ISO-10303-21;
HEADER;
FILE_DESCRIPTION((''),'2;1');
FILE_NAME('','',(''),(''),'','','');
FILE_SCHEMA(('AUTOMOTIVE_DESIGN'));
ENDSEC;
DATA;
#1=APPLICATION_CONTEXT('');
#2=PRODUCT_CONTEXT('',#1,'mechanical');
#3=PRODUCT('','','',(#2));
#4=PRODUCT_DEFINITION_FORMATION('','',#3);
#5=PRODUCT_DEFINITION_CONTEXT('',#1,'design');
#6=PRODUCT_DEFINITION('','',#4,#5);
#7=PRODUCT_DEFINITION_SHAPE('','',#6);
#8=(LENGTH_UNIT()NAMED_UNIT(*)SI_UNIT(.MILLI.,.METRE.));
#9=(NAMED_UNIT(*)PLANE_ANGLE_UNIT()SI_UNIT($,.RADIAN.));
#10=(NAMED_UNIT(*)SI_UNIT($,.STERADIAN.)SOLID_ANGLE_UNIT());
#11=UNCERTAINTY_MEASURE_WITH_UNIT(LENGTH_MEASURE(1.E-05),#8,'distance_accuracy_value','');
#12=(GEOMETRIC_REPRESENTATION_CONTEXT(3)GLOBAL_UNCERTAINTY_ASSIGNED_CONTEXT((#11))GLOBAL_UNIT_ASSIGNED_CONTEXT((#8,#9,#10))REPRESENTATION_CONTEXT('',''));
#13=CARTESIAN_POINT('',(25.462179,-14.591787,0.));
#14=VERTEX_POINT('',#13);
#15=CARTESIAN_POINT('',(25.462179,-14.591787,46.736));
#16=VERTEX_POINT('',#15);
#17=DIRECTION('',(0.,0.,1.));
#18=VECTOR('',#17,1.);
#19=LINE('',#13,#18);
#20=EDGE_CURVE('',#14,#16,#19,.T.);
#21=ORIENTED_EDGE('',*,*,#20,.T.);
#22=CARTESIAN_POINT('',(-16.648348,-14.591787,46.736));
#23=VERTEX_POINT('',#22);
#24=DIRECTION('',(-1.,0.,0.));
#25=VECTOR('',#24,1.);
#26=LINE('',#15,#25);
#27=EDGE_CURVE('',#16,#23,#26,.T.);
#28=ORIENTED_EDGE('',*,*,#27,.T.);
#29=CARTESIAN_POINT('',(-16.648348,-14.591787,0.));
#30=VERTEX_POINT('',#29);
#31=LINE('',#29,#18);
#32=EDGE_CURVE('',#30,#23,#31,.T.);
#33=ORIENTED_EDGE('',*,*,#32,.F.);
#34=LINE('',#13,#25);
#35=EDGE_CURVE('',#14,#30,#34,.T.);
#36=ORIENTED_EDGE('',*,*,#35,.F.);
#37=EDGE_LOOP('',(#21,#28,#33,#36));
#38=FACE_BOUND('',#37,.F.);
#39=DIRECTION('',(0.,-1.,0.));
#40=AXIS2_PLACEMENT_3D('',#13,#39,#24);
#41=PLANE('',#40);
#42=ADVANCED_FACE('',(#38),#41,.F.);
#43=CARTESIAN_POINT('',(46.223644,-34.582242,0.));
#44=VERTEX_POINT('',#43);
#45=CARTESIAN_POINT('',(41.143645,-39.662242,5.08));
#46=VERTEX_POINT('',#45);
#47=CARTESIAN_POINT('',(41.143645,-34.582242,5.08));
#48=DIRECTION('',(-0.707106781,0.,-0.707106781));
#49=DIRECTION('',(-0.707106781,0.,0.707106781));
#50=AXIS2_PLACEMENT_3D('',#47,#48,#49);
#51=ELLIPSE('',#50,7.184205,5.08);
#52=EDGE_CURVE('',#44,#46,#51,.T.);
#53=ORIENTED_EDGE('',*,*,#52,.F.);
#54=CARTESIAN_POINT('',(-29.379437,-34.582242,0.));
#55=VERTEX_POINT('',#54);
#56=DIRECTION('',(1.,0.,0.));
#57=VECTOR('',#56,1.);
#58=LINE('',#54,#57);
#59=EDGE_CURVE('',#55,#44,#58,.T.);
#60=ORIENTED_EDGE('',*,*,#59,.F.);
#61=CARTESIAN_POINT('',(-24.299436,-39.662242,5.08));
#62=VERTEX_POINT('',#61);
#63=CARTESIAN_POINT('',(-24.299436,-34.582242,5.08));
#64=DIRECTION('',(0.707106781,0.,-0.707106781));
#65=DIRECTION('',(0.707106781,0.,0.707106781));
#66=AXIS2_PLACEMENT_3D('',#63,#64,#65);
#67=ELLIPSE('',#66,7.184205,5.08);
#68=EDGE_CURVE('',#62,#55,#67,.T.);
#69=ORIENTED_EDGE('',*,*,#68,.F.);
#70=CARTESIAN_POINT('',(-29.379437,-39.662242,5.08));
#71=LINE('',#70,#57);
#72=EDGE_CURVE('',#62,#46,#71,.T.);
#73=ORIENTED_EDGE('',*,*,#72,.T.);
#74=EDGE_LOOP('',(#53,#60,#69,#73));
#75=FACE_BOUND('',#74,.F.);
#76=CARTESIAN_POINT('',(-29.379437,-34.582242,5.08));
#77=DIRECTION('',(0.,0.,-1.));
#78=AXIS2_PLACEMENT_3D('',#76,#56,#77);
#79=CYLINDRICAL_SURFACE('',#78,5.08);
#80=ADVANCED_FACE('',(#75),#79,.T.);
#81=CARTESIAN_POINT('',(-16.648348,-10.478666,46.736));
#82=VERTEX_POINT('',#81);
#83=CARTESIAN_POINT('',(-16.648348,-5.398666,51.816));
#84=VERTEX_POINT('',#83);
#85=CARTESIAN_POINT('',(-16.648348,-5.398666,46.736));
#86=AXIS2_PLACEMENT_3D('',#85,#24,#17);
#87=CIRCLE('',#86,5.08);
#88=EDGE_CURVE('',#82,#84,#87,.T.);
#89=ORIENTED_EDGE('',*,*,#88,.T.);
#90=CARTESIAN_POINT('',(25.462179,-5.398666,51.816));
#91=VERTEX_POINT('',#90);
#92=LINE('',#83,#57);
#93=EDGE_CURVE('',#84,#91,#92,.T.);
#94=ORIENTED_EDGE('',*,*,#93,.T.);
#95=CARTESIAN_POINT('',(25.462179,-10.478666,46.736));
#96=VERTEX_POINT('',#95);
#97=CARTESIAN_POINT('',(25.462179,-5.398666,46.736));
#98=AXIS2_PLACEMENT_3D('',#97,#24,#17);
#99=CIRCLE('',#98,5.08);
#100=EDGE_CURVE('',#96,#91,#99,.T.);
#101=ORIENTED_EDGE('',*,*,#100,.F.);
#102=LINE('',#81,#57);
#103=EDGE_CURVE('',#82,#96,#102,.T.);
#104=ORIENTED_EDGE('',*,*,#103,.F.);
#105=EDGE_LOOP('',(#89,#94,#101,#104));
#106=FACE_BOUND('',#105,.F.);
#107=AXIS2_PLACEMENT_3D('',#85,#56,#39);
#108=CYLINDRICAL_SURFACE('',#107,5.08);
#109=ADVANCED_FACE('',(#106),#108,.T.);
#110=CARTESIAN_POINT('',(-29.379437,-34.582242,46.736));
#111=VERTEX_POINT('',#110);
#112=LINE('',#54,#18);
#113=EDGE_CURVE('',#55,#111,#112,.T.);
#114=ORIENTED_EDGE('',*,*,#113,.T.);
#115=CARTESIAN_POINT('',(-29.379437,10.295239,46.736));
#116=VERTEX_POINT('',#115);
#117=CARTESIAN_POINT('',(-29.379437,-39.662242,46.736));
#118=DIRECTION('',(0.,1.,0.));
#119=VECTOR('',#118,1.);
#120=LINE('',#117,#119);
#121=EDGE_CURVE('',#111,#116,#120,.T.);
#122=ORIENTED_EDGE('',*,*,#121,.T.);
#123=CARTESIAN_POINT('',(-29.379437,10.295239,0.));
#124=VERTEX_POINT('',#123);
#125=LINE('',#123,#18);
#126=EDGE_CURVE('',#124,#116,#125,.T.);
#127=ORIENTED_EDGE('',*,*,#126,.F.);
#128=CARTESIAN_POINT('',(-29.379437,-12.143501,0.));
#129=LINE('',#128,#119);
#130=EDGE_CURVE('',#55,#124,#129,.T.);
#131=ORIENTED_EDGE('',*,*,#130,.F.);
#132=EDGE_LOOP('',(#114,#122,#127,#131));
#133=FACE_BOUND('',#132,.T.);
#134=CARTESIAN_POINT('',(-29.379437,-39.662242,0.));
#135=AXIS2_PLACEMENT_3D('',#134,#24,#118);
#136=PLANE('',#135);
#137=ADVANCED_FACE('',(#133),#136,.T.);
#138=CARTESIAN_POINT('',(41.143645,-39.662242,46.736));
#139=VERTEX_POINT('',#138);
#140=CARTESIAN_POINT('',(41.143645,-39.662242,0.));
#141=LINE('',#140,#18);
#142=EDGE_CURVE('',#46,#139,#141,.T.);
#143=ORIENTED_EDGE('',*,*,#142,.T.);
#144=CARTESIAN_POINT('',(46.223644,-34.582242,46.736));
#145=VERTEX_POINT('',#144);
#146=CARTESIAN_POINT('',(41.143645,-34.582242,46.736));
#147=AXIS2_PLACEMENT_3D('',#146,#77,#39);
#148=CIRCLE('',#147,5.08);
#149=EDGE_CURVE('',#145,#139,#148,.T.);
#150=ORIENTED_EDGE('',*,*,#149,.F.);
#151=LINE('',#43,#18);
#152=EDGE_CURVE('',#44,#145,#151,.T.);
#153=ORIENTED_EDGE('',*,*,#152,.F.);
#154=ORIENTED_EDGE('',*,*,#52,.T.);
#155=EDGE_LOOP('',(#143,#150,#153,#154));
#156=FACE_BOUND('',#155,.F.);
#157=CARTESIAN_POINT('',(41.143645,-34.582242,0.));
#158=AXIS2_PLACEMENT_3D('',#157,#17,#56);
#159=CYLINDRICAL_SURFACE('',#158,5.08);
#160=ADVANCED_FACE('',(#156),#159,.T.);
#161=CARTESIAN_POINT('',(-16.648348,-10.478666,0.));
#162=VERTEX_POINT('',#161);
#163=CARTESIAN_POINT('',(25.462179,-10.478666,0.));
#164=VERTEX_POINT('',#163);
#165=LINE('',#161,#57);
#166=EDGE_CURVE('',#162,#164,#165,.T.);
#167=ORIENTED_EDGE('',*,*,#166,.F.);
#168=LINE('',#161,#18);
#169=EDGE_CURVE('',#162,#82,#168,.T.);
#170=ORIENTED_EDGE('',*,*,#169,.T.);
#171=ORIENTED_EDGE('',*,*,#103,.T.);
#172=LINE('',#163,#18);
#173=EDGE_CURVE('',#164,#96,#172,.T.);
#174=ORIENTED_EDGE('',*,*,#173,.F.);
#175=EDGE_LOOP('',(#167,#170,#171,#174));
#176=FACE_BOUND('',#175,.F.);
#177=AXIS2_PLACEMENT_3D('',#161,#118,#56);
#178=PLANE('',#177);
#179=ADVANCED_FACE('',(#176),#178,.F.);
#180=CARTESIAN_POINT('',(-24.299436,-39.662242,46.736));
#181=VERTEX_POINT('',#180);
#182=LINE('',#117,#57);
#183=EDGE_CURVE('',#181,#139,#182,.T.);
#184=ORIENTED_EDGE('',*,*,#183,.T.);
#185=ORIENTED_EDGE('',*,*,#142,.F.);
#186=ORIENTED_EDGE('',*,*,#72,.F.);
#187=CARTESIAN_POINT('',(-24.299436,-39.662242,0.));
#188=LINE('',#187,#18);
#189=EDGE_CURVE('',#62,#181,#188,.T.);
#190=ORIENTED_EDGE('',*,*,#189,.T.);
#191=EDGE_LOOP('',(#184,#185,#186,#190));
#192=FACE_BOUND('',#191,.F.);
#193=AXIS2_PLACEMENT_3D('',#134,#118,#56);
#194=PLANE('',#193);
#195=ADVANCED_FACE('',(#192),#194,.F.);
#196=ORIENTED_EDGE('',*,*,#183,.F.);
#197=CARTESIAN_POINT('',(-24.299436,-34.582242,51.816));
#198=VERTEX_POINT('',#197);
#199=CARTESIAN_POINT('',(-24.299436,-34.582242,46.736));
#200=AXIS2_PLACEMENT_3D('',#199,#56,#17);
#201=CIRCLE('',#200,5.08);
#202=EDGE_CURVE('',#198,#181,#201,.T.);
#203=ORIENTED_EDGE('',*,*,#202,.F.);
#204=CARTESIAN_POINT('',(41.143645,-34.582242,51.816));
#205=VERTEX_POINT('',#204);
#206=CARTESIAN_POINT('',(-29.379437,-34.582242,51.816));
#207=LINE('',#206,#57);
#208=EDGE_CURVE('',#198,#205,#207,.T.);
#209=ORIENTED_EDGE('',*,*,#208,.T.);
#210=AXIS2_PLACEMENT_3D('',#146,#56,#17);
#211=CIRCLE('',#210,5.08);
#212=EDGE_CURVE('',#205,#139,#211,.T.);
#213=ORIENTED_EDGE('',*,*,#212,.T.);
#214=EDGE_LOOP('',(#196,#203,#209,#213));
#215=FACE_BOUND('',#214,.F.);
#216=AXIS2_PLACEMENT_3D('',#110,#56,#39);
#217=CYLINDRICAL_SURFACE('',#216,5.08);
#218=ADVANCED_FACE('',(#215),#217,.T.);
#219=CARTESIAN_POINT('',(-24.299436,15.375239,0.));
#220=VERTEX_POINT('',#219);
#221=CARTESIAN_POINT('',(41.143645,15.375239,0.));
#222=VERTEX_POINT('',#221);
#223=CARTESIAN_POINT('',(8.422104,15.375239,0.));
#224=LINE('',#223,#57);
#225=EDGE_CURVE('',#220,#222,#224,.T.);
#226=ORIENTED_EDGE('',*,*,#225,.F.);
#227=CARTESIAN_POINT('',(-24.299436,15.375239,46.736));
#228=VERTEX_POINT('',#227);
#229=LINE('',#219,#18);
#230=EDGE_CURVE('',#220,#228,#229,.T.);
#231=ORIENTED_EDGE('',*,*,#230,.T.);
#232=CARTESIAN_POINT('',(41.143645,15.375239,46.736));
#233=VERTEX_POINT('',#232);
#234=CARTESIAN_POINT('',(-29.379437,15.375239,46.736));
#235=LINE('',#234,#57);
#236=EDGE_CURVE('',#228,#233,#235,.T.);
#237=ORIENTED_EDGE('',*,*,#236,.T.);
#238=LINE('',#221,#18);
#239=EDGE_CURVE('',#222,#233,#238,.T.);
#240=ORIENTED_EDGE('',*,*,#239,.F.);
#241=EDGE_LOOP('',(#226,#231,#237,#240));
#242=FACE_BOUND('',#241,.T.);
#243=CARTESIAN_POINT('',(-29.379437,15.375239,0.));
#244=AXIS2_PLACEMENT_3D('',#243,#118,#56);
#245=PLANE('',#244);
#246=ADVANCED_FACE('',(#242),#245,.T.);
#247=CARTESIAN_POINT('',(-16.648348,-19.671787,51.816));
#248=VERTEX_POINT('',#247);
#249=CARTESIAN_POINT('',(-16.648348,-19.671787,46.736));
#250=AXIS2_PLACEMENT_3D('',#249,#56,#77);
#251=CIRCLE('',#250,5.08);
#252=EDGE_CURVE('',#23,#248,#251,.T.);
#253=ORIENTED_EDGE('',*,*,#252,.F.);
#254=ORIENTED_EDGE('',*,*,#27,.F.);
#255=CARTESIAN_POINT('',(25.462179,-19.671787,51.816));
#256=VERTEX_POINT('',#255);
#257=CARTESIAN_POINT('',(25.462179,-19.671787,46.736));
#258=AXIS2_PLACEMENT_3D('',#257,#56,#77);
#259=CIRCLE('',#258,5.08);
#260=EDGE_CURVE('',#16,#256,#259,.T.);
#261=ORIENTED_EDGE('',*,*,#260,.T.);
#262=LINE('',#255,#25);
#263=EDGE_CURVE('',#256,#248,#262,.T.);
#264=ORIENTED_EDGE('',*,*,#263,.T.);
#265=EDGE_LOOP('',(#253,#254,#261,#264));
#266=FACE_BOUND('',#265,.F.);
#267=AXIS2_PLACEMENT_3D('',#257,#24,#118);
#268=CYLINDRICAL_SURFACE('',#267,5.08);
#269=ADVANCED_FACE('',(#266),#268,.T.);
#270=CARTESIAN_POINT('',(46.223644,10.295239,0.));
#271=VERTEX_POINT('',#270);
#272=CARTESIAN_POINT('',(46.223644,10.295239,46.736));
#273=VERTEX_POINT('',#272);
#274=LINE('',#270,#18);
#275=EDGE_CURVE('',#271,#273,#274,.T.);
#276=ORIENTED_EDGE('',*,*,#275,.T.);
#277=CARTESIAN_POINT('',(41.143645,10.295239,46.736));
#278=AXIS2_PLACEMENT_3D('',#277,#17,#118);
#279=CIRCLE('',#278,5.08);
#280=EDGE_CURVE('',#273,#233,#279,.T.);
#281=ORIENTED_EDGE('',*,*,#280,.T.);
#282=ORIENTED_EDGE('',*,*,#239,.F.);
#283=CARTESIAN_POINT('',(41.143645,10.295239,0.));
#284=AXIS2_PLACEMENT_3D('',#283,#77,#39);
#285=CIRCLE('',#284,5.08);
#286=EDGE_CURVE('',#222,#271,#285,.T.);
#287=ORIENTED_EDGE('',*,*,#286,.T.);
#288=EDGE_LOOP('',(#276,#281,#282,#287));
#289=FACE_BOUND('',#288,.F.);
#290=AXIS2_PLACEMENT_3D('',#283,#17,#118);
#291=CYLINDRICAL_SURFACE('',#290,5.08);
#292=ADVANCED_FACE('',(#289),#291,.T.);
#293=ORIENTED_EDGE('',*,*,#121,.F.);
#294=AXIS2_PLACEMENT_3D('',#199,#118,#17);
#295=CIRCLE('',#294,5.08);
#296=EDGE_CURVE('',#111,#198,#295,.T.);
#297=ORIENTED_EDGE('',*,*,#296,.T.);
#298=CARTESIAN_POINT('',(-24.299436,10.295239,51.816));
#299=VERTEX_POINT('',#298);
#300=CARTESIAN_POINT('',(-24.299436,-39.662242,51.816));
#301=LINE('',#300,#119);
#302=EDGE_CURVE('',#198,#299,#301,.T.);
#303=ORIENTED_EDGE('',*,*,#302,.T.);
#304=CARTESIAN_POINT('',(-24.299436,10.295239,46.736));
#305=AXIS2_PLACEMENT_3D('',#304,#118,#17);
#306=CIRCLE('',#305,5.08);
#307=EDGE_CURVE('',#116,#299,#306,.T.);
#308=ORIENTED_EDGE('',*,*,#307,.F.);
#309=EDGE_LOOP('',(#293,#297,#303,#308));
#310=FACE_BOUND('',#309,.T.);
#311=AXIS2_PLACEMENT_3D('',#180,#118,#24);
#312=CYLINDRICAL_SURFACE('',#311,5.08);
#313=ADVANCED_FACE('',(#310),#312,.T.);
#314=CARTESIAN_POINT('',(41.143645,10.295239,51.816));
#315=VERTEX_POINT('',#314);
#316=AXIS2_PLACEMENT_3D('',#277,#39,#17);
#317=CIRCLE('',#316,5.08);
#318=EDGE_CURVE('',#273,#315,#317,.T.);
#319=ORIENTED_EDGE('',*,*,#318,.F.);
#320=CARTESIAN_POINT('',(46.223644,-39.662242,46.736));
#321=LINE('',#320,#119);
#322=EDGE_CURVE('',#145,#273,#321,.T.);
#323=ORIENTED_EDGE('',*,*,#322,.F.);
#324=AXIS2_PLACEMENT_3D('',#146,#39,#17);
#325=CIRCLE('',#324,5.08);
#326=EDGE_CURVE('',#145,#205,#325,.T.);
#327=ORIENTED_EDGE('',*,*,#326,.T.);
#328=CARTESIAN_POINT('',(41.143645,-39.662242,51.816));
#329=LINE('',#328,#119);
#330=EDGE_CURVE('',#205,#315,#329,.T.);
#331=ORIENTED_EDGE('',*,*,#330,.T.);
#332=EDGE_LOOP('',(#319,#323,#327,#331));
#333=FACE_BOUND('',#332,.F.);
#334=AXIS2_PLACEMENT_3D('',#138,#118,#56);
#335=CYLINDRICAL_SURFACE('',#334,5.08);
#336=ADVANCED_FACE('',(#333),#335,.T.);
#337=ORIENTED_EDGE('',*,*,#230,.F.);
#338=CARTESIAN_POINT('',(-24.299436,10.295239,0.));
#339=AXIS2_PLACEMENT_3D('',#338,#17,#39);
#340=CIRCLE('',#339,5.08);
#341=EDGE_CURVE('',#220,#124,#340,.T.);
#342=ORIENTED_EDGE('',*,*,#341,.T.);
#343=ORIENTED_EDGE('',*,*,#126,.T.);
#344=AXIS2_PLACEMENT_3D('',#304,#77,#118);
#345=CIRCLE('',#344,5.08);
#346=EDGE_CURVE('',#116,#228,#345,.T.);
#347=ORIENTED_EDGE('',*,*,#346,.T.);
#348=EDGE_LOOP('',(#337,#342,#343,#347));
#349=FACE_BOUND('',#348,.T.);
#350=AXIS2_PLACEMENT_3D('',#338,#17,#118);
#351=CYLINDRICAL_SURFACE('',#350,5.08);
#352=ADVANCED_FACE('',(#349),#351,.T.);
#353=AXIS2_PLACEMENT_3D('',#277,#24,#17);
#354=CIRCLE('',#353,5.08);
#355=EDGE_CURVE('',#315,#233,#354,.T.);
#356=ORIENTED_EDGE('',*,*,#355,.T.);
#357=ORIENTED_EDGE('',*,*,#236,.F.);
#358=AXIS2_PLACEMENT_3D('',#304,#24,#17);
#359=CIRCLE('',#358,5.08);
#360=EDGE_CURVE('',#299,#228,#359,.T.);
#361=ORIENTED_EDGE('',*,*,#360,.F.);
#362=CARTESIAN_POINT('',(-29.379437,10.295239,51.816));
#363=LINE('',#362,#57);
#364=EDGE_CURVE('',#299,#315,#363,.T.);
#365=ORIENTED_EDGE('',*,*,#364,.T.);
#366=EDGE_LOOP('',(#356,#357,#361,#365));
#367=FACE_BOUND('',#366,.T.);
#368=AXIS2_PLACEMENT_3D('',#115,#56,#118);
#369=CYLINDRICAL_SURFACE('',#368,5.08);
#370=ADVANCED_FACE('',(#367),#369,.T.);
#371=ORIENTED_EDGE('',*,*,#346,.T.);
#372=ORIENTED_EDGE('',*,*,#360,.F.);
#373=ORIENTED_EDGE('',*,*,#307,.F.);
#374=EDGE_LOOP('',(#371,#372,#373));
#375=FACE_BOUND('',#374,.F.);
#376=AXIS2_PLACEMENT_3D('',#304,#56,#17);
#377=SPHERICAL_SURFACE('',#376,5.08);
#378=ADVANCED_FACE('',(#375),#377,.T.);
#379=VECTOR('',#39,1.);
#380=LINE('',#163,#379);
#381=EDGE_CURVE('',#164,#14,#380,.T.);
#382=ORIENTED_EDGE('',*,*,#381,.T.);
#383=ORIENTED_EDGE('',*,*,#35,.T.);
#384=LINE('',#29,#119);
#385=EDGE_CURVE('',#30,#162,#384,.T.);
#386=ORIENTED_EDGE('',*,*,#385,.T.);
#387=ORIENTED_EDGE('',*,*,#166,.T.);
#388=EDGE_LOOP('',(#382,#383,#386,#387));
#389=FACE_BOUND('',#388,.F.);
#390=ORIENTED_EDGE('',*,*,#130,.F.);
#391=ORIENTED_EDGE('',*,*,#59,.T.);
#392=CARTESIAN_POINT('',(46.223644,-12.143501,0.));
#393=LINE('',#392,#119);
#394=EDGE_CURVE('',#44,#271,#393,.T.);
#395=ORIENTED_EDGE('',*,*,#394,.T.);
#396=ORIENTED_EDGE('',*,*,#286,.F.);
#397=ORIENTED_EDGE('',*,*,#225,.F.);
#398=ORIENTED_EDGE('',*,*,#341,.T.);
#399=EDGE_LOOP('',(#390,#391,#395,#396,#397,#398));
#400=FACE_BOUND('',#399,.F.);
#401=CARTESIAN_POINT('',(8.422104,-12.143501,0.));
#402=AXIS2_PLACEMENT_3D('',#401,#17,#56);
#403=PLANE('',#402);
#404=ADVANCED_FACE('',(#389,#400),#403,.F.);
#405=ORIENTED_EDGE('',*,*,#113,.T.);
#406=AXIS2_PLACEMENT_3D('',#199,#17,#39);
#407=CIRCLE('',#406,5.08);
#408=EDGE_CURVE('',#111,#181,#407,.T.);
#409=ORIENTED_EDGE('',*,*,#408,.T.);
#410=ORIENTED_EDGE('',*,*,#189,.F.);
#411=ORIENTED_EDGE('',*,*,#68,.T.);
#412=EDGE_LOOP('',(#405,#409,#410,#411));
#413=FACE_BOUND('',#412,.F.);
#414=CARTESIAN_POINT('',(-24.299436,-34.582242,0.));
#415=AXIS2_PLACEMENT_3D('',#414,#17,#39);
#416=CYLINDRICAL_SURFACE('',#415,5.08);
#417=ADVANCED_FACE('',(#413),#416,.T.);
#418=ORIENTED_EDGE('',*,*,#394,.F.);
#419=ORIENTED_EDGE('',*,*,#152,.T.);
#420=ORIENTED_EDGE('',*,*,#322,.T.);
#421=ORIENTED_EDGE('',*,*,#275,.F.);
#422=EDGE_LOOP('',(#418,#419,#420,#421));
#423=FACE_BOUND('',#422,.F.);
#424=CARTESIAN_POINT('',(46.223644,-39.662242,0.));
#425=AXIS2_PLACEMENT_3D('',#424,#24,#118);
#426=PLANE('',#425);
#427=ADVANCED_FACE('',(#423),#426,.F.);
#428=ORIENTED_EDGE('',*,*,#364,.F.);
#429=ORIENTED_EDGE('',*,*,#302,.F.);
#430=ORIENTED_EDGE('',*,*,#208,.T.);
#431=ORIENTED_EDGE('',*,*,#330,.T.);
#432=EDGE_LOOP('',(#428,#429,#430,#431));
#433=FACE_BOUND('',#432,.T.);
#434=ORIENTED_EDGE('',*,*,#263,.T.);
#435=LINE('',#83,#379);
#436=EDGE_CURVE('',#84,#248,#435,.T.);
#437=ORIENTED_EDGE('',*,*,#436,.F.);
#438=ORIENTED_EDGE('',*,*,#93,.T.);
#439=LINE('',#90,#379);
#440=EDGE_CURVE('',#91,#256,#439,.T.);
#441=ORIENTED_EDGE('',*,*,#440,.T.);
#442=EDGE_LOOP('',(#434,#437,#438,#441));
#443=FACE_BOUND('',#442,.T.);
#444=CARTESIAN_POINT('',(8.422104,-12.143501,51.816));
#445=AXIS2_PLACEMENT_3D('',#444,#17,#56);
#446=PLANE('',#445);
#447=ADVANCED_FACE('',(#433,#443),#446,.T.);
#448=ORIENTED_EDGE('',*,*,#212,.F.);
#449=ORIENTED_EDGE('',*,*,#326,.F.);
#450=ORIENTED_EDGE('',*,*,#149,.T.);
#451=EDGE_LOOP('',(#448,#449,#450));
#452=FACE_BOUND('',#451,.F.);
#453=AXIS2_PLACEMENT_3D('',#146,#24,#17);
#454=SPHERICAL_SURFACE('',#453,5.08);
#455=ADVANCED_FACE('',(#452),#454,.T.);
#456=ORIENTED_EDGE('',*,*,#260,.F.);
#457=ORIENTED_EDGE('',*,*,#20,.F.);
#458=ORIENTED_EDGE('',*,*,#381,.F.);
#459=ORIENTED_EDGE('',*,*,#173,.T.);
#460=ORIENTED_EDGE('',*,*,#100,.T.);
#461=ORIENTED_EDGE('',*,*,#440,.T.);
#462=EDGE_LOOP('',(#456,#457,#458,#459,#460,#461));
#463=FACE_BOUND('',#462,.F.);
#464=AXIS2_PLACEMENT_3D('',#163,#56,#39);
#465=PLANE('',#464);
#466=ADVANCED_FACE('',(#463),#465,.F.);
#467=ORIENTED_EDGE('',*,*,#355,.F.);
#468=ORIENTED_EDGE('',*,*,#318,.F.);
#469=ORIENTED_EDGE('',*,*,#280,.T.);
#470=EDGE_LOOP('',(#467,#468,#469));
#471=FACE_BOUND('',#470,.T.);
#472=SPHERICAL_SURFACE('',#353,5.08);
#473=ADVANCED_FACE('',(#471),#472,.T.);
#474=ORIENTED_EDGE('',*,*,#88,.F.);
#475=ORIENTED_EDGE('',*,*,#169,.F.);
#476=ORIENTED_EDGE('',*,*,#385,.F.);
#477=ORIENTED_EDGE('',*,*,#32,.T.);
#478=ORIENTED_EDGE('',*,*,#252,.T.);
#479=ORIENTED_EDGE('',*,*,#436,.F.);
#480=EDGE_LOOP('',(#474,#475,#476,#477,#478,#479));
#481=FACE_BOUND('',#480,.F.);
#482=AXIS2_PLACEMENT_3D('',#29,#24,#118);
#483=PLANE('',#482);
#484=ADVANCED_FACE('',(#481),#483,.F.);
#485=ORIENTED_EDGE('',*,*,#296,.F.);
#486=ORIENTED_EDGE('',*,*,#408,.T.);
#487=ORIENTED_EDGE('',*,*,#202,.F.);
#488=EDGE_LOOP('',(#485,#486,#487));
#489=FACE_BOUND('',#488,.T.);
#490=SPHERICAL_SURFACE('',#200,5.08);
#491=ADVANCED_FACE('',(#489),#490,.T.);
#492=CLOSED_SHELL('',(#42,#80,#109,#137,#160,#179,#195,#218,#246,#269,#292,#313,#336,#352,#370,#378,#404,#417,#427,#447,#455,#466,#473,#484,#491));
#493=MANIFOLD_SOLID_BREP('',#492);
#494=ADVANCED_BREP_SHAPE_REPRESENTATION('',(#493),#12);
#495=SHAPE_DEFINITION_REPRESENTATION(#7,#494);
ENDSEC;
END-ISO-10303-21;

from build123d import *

# Parameters (mm, degrees)
F0_W     = 75.603081
F0_H     = 55.037481
F1_DEPTH = 51.816
F2_R     = 5.08
F3_R     = 5.08


with BuildPart() as f1:
    # F0 (on Top) → F1 (new body)
    with BuildSketch(Plane.XY):
        with Locations((8.422104, -12.143501)):
            Rectangle(F0_W, F0_H)
        Polygon((-16.648348, -10.478666), (-7.246927, -10.478666), (25.462179, -10.478666), (25.462179, -14.591787), (-7.246927, -14.591787), (-12.339364, -14.591787), (-16.648348, -14.591787), (-16.648348, -11.262118), align=None, mode=Mode.SUBTRACT)
    extrude(amount=F1_DEPTH)

    # F2
    f2_edges = [f1.edges().sort_by_distance(p)[0] for p in [
        (4.406915, -14.591787, 51.816),
    ]]
    fillet(f2_edges, radius=F2_R)

    # F3
    f3_edges = [f1.edges().sort_by_distance(p)[0] for p in [
        (8.422104, 15.375239, 51.816),
        (8.422104, -39.662242, 51.816),
        (46.223644, -12.143502, 51.816),
        (-29.379437, -12.143502, 51.816),
        (4.406915, -10.478666, 51.816),
        (-29.379437, -39.662242, 25.908),
        (46.223644, -39.662242, 25.908),
        (8.422104, -39.662242, 0),
        (46.223644, 15.375239, 25.908),
        (-29.379437, 15.375239, 25.908),
    ]]
    fillet(f3_edges, radius=F3_R)


solid = f1.part
